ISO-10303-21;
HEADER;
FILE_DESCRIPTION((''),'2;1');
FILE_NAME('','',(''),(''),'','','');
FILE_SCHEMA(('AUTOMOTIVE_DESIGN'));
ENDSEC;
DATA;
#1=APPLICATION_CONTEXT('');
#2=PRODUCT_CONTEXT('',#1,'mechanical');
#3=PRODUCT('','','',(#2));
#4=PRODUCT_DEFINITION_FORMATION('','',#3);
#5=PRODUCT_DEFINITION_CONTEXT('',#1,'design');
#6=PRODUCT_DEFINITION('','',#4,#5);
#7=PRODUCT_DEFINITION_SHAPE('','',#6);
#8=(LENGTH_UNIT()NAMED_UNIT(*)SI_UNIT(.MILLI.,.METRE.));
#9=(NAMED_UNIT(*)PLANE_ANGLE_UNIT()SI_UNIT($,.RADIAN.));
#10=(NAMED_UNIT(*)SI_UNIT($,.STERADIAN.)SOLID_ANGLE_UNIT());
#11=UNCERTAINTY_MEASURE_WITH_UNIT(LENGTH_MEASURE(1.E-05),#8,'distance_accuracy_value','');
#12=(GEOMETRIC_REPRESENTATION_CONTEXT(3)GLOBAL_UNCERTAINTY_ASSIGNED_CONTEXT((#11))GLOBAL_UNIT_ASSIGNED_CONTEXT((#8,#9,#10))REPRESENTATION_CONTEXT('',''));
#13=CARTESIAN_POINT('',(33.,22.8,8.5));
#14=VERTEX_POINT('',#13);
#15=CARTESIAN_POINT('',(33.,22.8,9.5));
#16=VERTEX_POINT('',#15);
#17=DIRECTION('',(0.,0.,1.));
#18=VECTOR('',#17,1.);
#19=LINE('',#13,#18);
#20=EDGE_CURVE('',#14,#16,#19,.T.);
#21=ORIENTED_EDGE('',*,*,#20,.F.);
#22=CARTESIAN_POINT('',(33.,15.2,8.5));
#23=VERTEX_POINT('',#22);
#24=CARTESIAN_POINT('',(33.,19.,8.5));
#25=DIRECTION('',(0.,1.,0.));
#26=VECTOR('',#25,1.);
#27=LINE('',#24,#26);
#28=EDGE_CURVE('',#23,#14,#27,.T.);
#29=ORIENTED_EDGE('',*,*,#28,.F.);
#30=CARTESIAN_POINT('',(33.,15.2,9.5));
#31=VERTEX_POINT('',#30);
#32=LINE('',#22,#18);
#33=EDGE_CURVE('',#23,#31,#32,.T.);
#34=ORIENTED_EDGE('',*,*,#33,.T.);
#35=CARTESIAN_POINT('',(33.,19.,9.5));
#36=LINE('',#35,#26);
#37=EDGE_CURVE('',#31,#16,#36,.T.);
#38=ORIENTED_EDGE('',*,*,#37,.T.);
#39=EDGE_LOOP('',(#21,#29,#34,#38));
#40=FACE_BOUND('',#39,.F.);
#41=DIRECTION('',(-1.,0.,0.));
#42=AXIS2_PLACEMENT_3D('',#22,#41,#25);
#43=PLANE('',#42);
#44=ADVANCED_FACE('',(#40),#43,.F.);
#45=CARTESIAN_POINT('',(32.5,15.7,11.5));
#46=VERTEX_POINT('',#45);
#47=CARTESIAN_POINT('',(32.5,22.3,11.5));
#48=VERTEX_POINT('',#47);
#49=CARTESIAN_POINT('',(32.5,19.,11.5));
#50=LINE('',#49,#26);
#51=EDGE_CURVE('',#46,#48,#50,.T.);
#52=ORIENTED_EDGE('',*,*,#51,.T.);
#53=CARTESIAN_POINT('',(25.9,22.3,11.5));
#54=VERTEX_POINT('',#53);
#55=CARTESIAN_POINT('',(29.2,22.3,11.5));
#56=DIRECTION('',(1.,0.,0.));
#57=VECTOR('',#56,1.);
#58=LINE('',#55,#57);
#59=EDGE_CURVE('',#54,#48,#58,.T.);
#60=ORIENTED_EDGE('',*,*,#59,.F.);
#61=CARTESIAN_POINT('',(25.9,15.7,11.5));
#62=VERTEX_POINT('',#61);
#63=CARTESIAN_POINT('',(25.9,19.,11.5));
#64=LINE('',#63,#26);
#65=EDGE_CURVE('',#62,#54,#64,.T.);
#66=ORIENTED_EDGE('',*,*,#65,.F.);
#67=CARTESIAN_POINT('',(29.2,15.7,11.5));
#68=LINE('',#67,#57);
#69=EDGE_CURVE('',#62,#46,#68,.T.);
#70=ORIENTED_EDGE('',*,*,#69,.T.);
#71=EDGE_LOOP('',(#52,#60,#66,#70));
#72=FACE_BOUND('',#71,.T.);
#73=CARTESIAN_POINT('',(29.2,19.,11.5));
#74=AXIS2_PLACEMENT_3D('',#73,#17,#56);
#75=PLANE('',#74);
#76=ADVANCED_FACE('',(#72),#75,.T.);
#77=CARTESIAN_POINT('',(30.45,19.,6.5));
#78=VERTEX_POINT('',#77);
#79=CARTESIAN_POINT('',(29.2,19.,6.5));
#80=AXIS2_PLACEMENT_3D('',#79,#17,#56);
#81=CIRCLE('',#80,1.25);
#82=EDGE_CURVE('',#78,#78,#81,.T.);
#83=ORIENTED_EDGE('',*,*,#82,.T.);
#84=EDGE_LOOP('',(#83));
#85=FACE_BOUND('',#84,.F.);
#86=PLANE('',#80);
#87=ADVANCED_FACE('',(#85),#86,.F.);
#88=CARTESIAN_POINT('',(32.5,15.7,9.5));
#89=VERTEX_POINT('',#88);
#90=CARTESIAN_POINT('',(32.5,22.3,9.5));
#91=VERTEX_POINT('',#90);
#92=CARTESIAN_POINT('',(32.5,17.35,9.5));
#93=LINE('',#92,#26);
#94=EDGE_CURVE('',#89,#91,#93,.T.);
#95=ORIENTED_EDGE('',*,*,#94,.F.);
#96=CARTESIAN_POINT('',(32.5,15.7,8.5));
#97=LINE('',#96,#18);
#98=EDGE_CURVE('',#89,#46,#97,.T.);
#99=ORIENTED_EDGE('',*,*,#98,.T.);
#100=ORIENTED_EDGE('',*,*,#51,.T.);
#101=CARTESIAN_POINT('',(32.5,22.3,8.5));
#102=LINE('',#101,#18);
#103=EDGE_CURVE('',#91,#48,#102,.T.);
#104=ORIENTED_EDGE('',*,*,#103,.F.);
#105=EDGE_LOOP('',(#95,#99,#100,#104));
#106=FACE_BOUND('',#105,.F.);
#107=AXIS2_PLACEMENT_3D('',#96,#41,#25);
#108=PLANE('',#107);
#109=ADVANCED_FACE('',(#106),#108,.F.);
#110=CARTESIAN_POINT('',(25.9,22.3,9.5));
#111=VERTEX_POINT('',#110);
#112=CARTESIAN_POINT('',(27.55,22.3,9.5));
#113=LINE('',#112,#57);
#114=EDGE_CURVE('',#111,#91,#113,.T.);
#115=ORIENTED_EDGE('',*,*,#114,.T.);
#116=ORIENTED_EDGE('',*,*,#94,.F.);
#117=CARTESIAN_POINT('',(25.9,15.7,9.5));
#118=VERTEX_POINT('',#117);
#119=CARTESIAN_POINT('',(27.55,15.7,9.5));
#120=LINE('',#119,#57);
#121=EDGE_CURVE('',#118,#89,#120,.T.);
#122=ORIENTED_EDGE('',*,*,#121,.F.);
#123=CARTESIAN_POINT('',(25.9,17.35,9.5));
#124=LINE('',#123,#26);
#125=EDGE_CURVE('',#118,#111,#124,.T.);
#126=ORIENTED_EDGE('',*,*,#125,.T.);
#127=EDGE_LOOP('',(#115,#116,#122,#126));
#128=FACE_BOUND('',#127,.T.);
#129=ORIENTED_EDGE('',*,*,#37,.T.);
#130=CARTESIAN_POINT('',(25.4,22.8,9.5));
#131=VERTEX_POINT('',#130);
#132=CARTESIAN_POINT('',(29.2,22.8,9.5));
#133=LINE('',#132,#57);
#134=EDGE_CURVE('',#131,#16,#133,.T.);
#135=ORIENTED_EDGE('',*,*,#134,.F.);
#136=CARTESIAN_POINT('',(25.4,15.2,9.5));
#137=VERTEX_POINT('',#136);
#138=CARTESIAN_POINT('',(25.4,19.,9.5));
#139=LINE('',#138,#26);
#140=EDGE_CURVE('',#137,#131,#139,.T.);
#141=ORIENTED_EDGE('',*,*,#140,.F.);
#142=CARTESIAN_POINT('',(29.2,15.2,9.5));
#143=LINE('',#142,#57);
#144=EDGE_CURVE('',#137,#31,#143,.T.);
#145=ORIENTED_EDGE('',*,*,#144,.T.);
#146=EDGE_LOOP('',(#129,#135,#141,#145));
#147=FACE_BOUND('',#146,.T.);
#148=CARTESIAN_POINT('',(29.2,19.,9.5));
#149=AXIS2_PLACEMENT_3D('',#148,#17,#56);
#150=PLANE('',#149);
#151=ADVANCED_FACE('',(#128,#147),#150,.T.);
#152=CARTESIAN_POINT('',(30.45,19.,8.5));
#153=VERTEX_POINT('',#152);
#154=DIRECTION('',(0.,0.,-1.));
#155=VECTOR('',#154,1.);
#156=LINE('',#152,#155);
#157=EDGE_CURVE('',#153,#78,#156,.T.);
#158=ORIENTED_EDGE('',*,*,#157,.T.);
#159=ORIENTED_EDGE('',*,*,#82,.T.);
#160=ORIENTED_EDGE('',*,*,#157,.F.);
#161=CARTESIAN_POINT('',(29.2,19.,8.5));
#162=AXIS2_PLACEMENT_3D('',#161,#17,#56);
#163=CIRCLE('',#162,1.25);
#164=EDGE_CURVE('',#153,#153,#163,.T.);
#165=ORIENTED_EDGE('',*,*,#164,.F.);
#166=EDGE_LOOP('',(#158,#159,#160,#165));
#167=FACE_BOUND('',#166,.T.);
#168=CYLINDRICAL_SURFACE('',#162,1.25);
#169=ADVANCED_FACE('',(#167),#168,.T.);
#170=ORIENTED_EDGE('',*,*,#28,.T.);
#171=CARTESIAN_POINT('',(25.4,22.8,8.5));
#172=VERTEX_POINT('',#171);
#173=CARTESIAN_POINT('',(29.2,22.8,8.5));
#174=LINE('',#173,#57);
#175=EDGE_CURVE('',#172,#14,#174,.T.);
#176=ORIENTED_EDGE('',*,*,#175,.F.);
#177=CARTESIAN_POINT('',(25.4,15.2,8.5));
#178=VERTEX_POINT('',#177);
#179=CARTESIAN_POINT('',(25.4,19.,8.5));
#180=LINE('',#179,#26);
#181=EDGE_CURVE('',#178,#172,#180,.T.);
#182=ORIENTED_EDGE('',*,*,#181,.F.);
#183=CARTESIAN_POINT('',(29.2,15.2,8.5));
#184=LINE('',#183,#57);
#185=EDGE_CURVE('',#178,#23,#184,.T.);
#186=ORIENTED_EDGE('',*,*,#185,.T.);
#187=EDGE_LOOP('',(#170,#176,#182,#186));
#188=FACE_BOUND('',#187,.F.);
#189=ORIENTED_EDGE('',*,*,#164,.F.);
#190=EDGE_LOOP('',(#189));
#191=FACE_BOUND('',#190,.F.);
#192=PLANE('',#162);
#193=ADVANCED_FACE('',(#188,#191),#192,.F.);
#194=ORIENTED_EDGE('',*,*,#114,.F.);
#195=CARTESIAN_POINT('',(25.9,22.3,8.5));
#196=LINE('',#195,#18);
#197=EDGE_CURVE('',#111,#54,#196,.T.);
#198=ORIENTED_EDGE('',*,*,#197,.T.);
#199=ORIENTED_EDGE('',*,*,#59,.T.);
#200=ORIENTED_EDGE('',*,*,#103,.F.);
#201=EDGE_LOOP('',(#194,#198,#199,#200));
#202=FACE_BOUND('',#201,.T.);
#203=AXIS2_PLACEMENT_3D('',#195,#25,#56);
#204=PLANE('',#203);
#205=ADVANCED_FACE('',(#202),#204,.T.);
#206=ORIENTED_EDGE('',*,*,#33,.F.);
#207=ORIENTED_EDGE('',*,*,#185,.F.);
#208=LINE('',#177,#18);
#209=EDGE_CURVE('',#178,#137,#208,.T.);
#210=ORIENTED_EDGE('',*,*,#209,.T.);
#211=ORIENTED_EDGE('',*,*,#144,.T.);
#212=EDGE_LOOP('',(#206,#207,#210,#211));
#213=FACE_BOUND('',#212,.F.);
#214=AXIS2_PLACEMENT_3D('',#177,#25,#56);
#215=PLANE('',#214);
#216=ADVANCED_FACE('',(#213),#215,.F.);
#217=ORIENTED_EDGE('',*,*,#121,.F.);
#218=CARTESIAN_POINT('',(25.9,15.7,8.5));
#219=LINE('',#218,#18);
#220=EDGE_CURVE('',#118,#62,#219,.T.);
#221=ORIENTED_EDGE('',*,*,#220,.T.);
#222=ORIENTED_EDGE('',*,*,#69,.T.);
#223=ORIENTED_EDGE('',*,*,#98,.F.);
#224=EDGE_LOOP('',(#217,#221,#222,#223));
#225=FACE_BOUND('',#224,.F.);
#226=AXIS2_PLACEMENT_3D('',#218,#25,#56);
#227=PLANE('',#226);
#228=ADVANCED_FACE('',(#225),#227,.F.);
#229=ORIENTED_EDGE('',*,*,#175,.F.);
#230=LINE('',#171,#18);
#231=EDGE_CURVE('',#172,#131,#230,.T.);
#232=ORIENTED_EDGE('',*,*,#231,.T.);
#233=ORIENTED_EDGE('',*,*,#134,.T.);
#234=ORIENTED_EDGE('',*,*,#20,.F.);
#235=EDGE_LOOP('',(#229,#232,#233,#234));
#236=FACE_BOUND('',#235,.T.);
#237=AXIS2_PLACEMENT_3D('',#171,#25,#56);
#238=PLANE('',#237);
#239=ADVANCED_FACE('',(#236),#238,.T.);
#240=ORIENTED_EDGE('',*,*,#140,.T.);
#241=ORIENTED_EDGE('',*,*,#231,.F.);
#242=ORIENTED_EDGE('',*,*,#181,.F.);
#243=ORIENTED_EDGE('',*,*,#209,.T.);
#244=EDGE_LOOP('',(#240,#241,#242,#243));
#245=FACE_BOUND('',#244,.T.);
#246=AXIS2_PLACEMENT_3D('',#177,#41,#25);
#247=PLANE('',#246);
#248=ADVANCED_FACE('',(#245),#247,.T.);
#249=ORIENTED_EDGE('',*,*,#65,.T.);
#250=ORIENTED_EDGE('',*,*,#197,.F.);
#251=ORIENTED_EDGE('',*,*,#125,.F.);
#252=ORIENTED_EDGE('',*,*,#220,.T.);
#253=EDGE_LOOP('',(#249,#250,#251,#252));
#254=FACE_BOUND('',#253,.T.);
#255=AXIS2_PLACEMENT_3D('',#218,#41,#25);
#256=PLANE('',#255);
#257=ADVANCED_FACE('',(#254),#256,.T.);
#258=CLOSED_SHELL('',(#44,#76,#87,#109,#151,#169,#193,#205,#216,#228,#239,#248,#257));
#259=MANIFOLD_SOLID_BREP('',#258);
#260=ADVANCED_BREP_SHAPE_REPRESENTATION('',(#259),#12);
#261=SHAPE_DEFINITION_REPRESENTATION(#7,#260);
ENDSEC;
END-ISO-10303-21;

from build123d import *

# Parameters (mm, degrees)
SKETCH009_W  = 6.6
SKETCH009_H  = 6.6
PAD006_DEPTH = 3
SKETCH010_W  = 7.6
SKETCH010_H  = 7.6
PAD007_DEPTH = 1
SKETCH011_R  = 1.25
PAD008_DEPTH = 2


with BuildPart() as part:
    # Sketch009 → Pad006 (new body)
    with BuildSketch(Plane.XY):
        with Locations((29.2, 19)):
            Rectangle(SKETCH009_W, SKETCH009_H)
    extrude(amount=PAD006_DEPTH)

    # Sketch010 → Pad007 (join)
    with BuildSketch(Plane.XY):
        with Locations((29.2, 19)):
            Rectangle(SKETCH010_W, SKETCH010_H)
    extrude(amount=PAD007_DEPTH)

    # Sketch011 → Pad008 (join)
    with BuildSketch(Plane.XY):
        with Locations((29.2, 19)):
            Circle(SKETCH011_R)
    extrude(amount=-PAD008_DEPTH)


with BuildPart() as part_1:
    # Body004 placement: moved
    add(part.part.moved(Location((0, 0, 8.5))))


solid = part_1.part
